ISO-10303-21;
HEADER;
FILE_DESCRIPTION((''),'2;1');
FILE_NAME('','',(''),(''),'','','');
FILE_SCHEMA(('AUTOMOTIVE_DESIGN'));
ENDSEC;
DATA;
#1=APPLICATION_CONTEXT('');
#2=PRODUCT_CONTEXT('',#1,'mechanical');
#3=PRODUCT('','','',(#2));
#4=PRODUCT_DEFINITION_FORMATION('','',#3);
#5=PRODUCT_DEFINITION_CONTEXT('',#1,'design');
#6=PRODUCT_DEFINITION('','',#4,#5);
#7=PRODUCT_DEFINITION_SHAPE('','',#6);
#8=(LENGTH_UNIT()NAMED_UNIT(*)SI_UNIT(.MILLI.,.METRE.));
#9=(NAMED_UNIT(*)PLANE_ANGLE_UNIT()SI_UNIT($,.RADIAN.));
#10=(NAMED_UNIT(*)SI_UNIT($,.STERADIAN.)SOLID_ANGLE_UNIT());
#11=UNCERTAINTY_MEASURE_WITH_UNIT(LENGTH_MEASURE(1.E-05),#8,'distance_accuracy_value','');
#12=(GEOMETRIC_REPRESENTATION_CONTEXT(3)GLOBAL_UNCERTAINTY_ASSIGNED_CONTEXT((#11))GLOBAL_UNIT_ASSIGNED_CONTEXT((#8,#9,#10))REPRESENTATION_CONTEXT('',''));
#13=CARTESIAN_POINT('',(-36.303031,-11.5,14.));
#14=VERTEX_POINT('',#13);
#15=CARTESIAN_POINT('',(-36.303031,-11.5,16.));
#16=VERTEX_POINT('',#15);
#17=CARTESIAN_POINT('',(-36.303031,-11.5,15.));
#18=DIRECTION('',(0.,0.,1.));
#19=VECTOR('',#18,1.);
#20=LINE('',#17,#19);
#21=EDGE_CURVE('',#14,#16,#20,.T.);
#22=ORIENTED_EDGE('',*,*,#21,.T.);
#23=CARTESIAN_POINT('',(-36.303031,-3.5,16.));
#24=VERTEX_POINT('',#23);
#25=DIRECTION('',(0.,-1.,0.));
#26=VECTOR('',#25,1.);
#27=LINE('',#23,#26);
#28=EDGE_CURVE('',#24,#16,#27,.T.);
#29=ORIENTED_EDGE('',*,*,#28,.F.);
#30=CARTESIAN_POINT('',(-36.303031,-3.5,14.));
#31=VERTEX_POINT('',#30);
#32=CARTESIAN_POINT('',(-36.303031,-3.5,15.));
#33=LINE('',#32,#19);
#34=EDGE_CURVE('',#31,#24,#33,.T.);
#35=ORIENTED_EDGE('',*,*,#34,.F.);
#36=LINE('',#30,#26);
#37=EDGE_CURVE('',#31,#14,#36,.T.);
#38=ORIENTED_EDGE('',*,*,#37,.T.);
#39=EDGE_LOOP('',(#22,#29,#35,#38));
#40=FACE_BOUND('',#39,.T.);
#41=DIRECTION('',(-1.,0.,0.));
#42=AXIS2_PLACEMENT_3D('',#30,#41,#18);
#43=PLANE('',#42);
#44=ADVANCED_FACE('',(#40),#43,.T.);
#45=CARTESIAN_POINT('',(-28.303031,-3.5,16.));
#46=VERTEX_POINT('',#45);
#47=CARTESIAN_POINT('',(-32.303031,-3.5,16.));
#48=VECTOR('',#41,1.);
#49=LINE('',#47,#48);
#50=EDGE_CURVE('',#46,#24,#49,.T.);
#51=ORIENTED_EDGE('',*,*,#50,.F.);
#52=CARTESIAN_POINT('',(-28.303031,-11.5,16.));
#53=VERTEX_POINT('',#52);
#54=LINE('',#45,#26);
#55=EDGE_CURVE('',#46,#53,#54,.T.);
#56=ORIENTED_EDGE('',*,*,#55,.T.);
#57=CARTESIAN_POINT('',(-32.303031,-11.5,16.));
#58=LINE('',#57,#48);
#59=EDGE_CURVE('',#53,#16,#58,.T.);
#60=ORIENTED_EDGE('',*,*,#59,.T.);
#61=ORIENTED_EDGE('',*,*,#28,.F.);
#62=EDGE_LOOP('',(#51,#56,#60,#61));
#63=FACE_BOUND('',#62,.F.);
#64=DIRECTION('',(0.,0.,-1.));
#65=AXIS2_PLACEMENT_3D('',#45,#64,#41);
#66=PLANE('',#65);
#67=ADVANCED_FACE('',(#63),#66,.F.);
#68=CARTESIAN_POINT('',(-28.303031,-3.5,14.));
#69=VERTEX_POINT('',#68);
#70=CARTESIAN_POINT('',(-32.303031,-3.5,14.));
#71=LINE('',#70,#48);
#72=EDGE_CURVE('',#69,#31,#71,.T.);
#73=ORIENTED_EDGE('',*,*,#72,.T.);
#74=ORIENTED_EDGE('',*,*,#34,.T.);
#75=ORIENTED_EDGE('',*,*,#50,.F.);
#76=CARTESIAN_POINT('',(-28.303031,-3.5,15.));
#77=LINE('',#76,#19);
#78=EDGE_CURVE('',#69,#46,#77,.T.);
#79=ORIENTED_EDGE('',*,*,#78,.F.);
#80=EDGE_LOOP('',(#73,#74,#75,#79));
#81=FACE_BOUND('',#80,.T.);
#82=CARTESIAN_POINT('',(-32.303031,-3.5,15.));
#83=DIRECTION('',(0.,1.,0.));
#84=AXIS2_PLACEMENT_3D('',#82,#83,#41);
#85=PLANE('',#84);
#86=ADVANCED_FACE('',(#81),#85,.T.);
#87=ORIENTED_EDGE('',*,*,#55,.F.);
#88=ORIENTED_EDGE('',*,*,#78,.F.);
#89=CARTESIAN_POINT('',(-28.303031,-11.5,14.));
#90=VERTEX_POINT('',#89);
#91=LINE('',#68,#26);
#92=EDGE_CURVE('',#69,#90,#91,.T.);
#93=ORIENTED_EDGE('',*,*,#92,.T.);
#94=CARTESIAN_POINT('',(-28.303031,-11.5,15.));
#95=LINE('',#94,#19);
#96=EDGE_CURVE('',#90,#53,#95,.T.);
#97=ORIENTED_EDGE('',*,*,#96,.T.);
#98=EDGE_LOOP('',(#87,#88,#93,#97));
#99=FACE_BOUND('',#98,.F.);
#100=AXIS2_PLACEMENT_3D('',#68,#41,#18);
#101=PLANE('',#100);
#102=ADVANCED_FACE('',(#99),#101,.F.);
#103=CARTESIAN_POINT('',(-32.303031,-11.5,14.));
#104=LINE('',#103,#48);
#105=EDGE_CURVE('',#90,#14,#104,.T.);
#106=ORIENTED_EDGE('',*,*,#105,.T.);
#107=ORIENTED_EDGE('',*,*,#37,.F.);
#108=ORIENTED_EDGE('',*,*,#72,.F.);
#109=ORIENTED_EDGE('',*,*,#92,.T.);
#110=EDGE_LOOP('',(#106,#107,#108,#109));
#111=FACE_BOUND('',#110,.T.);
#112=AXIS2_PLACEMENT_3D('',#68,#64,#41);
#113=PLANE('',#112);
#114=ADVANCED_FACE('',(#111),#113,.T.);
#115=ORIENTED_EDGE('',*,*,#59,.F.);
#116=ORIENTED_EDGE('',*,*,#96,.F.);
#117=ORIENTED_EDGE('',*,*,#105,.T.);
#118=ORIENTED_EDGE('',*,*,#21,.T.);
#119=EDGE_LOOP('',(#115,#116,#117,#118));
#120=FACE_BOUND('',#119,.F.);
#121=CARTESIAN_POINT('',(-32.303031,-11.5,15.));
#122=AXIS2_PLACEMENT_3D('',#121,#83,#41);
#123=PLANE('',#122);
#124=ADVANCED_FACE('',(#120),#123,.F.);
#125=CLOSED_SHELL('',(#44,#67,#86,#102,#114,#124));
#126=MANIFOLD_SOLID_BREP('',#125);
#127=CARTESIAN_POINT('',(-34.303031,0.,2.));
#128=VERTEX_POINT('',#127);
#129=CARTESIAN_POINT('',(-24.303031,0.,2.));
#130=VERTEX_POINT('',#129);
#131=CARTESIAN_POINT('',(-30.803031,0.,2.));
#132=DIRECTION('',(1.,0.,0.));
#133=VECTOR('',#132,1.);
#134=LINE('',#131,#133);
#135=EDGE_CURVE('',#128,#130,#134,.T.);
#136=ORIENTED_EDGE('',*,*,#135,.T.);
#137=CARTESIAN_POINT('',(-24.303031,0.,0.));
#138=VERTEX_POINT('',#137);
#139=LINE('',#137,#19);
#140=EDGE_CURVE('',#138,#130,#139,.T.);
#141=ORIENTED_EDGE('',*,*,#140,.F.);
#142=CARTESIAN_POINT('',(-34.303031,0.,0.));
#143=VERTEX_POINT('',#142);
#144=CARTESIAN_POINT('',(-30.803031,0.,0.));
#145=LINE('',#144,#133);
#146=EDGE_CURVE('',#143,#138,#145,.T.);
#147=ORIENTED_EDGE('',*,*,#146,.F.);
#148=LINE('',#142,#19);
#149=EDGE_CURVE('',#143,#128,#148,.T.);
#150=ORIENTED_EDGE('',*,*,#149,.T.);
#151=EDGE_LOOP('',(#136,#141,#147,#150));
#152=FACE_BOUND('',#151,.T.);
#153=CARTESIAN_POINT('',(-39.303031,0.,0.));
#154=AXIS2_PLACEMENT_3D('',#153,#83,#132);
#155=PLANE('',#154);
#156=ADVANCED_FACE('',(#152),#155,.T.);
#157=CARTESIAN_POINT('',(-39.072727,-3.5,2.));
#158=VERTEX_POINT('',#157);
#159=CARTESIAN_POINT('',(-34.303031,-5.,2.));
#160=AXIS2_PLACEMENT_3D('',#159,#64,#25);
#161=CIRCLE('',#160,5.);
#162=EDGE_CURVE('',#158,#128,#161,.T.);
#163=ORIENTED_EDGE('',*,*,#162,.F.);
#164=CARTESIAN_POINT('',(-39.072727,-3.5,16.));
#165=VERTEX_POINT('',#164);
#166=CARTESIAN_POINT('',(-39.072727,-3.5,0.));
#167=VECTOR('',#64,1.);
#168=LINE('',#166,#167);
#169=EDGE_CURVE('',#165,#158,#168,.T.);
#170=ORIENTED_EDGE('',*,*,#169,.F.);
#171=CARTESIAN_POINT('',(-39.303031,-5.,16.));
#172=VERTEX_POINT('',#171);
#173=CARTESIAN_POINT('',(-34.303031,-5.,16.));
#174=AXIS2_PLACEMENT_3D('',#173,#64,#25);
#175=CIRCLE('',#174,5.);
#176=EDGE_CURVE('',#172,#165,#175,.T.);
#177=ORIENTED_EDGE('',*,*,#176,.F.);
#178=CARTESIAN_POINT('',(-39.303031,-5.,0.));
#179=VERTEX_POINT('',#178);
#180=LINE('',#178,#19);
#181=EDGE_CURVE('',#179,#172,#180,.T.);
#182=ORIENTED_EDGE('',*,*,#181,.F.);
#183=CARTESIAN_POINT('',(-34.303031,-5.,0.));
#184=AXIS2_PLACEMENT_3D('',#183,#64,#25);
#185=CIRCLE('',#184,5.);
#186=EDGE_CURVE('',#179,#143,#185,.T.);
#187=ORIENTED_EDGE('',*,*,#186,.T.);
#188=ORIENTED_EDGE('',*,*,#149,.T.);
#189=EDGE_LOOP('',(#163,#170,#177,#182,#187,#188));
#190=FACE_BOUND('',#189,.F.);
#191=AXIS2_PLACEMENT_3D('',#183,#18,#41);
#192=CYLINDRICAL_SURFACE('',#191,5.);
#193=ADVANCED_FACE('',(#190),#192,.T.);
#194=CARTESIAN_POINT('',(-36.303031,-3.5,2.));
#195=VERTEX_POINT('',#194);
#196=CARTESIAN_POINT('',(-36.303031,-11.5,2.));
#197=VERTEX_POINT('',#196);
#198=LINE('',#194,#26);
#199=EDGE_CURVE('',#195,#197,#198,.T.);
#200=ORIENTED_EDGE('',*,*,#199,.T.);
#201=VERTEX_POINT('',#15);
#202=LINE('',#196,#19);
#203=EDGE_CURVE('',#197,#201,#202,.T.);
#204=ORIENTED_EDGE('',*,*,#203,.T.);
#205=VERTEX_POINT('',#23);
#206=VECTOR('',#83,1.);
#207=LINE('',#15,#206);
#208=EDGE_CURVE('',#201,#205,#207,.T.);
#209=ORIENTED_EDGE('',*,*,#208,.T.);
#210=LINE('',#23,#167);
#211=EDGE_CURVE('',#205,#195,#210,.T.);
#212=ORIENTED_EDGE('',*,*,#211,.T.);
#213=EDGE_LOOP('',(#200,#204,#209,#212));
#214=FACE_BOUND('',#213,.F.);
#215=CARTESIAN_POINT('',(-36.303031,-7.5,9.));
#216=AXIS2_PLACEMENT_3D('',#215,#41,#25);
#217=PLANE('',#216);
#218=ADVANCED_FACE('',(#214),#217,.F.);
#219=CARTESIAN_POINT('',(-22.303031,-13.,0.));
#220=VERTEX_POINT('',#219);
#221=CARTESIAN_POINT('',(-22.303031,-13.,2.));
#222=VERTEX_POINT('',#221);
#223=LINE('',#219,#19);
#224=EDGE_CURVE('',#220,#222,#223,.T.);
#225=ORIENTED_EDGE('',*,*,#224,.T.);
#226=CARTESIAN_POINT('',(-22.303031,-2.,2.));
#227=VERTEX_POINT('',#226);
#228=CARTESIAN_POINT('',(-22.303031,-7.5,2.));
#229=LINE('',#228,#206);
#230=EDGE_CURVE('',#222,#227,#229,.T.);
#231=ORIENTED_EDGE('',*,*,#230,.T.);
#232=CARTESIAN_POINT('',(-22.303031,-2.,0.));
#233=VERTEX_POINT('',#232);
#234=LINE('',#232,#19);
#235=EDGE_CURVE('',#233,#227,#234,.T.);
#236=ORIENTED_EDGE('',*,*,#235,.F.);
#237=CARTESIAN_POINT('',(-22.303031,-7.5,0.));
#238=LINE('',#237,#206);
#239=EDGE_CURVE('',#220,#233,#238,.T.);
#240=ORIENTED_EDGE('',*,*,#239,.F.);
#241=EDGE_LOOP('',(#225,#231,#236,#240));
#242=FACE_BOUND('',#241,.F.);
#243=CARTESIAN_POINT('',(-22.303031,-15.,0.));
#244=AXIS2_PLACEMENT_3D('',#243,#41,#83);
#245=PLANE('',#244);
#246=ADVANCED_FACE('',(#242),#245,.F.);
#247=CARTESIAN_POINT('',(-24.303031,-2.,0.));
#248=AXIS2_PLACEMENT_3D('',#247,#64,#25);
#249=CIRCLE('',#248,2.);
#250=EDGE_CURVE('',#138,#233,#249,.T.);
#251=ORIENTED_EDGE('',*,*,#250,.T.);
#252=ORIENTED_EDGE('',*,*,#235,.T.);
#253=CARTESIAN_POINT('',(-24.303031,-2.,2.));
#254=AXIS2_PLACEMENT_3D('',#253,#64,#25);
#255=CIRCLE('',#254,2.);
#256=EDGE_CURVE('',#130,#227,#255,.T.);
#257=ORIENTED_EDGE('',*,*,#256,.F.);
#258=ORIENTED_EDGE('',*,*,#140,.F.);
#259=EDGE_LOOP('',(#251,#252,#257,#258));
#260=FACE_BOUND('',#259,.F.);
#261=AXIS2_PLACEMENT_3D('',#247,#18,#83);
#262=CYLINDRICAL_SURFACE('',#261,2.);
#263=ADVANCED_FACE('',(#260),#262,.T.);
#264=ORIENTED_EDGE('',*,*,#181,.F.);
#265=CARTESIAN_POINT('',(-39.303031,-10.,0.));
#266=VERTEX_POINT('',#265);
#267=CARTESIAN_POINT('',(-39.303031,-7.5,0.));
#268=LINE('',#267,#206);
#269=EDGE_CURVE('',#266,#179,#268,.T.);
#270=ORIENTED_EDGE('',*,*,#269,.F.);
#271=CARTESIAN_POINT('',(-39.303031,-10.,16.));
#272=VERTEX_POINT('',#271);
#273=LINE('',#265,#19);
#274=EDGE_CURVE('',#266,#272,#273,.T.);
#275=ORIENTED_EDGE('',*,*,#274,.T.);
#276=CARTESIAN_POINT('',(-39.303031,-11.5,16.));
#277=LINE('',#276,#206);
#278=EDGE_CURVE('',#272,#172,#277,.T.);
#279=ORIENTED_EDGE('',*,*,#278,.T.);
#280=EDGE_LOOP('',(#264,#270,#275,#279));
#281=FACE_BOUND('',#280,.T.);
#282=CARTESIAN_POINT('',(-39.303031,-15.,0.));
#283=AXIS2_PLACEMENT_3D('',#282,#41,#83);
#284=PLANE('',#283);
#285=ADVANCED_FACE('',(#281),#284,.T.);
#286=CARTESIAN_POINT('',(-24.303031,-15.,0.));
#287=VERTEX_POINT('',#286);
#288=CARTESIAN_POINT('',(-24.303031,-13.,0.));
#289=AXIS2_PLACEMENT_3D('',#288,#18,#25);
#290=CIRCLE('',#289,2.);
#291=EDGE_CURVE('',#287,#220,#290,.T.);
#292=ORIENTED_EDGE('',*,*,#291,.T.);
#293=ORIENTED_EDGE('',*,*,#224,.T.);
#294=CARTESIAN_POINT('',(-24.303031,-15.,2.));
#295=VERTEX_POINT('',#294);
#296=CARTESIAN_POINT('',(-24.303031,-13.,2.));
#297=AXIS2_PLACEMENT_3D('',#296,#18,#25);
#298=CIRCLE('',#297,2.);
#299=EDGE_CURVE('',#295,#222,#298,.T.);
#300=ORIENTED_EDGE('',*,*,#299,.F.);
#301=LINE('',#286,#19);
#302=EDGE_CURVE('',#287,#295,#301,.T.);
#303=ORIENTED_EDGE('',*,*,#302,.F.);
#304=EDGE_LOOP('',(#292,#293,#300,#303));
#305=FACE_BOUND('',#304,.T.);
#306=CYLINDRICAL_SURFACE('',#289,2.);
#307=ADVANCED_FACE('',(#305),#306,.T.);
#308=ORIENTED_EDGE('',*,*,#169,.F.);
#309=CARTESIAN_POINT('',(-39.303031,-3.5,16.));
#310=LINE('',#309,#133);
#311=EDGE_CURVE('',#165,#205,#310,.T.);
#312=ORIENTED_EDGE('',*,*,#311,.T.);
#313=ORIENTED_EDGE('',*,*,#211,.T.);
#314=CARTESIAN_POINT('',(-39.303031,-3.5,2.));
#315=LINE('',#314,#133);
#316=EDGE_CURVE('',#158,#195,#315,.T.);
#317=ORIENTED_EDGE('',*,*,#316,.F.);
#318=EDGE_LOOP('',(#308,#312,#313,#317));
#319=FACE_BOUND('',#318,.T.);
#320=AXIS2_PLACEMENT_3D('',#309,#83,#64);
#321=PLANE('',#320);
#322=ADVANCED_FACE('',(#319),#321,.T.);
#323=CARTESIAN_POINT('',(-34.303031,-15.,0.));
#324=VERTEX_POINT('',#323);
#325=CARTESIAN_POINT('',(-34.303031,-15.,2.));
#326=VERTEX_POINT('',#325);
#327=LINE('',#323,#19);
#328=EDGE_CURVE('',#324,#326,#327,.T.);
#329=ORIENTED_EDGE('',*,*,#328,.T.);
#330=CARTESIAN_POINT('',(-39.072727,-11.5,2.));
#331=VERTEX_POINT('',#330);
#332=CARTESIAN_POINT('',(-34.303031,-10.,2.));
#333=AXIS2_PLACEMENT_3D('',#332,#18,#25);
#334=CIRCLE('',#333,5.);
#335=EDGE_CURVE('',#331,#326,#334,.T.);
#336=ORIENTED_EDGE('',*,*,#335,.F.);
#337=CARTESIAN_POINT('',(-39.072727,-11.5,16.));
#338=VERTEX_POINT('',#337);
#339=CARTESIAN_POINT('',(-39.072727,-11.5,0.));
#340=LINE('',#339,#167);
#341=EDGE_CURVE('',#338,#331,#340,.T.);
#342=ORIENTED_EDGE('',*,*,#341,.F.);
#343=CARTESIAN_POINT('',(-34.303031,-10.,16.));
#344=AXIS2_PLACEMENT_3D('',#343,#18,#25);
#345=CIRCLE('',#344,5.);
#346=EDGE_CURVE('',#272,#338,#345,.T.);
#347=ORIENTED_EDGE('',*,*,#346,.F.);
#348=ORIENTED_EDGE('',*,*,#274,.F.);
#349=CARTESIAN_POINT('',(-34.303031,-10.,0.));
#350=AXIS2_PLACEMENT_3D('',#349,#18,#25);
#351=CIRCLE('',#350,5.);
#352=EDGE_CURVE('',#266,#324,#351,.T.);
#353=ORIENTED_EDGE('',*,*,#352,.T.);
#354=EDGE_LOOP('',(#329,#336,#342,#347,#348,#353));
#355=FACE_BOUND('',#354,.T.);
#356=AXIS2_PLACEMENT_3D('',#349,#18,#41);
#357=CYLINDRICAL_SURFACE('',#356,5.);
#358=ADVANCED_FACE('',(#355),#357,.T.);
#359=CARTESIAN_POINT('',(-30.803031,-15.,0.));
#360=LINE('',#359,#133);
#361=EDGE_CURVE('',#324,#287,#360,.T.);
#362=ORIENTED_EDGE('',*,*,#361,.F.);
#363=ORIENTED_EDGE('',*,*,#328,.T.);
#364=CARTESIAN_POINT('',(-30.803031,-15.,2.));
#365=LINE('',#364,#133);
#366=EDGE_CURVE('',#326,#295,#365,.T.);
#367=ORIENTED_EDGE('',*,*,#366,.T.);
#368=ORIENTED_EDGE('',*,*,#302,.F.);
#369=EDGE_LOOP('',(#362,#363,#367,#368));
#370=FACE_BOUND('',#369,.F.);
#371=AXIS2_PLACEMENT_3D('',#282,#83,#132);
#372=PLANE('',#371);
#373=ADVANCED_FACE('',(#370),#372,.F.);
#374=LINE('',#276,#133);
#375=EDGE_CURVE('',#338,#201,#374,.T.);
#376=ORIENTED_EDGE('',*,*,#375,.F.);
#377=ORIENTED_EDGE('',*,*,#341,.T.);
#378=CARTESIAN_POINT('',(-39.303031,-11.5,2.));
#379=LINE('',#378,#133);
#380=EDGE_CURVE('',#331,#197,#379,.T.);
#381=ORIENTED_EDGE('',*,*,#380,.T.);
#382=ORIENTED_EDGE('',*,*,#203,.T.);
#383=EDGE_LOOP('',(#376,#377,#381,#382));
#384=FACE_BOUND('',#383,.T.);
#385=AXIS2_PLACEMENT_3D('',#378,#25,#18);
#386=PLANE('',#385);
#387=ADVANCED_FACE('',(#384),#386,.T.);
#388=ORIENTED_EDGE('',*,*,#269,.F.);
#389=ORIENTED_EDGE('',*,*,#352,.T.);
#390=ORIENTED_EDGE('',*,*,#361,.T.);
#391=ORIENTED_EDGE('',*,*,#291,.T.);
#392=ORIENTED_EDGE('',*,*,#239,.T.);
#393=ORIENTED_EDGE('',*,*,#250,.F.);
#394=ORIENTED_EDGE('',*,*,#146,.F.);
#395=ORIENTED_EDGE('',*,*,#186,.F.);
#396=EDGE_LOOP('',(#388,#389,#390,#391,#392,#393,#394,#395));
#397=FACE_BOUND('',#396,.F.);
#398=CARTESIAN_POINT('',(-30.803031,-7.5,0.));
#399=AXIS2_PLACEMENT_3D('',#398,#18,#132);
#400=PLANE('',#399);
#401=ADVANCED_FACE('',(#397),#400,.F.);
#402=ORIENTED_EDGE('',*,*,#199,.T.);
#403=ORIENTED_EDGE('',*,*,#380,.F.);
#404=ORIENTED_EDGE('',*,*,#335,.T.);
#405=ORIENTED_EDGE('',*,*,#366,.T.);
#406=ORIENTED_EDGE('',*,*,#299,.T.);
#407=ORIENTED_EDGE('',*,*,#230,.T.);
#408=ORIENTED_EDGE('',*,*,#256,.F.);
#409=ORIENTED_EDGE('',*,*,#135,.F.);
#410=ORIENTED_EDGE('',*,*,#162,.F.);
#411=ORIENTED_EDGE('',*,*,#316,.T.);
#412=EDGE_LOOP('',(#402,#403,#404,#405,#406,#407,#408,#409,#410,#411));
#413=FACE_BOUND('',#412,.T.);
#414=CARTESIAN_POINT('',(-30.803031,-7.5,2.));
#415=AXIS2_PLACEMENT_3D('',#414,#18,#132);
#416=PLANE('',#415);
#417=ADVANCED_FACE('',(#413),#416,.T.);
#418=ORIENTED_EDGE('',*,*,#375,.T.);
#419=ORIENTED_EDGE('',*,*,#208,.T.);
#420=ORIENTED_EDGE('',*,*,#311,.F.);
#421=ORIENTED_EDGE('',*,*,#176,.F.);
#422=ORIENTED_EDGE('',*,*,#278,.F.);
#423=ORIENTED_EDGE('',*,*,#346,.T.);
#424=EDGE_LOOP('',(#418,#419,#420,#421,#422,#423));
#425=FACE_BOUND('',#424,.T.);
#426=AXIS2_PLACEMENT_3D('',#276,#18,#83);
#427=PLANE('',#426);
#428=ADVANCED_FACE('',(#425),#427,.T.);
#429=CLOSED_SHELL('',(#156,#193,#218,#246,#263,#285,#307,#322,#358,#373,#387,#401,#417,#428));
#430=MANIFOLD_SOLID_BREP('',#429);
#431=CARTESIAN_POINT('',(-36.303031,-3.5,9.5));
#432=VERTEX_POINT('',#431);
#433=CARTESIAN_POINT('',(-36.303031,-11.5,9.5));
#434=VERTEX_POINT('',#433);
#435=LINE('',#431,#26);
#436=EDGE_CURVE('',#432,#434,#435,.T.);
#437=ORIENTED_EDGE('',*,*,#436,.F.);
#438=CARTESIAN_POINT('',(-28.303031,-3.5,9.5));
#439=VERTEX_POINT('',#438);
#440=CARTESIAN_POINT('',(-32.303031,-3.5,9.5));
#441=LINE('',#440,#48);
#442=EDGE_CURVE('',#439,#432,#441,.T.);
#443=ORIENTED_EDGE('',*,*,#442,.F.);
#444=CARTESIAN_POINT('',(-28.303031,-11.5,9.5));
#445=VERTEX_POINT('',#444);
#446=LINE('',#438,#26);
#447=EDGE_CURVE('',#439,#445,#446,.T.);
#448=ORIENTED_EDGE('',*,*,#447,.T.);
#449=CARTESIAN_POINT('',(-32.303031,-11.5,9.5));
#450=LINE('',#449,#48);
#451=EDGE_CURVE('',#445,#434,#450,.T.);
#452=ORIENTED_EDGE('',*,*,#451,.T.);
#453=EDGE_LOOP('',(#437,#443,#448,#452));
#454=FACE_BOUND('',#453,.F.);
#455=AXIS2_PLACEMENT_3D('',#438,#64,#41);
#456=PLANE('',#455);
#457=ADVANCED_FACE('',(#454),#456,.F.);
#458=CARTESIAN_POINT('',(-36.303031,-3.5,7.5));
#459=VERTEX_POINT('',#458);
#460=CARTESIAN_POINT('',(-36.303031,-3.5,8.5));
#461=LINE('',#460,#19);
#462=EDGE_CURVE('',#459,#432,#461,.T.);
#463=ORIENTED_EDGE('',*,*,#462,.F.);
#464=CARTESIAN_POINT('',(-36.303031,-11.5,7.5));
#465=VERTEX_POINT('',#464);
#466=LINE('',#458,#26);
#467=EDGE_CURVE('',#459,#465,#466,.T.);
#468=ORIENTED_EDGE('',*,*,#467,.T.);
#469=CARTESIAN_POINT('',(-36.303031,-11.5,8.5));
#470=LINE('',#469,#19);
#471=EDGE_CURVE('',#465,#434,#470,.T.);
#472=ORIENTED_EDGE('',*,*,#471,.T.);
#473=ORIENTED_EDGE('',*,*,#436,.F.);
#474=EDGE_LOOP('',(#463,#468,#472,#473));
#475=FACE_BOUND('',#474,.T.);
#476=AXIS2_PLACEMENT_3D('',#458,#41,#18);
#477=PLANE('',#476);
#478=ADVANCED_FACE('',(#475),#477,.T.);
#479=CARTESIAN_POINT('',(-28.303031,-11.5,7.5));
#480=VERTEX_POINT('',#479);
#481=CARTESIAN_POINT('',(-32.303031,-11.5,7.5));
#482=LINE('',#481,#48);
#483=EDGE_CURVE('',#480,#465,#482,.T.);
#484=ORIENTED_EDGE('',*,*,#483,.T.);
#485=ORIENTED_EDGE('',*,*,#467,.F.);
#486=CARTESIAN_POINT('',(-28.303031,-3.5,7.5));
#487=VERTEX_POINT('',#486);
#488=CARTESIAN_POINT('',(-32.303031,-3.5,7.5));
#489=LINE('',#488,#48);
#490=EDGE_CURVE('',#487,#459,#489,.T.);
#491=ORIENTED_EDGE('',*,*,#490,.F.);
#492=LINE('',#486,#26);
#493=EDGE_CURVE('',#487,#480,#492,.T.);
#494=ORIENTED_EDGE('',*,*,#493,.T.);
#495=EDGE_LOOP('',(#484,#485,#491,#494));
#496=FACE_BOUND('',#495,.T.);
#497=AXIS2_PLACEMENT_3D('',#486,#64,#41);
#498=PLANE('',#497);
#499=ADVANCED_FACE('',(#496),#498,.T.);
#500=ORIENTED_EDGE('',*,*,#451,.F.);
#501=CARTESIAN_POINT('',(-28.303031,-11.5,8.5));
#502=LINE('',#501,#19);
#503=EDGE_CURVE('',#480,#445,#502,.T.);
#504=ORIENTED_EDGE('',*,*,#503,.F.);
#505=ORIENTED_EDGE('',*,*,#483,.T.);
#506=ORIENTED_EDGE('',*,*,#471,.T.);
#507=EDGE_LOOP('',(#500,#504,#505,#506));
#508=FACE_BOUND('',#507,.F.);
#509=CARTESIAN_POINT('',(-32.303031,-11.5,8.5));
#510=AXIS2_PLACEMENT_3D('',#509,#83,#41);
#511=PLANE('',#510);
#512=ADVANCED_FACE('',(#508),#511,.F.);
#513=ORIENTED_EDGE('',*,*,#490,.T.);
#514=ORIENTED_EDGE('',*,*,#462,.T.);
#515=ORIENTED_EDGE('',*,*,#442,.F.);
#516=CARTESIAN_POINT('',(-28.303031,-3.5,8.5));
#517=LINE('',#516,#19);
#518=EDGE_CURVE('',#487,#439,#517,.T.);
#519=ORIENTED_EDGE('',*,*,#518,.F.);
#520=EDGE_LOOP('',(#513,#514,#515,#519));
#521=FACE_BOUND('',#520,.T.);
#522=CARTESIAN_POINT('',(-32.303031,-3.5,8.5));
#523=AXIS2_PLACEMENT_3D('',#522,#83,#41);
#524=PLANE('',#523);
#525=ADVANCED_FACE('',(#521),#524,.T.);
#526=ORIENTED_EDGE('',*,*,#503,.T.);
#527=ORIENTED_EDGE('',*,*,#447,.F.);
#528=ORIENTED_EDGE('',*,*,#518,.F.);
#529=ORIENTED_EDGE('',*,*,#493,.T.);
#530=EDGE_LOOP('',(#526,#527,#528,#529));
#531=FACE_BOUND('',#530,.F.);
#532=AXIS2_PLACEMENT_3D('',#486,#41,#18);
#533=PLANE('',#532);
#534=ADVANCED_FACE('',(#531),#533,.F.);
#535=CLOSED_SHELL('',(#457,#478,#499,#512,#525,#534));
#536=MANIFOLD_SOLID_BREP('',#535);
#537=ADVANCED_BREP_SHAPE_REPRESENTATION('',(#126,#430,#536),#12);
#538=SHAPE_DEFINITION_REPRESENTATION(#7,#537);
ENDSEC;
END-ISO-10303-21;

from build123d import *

# Parameters (mm, degrees)
F0_W     = 17
F0_H     = 15
F1_DEPTH = 2
F3_DEPTH = 3
F4_W     = 8
F4_H     = 2
F5_DEPTH = 8
F6_R     = 5
F7_R     = 2


with BuildPart() as f1:
    # F0 (on Top) → F1 (new body)
    with BuildSketch(Plane.XY):
        with Locations((-30.8030308187, -7.5)):
            Rectangle(F0_W, F0_H)
    extrude(amount=F1_DEPTH)

    # F2 (on face) → F3 (join)
    with BuildSketch(Plane(origin=(-39.3030308187, 0, 0), x_dir=(0, -1, 0), z_dir=(-1, 0, 0))):
        Polygon((3.5, 2), (7.5, 2), (11.5, 2), (11.5, 16), (3.5, 16), align=None)
    extrude(amount=-F3_DEPTH)

    # F6
    f6_edges = [f1.edges().sort_by_distance(p)[0] for p in [
        (-39.303031, 0, 1),
        (-39.303031, -15, 1),
    ]]
    fillet(f6_edges, radius=F6_R)

    # F7
    f7_edges = [f1.edges().sort_by_distance(p)[0] for p in [
        (-22.303031, -15, 1),
        (-22.303031, 0, 1),
    ]]
    fillet(f7_edges, radius=F7_R)


with BuildPart() as f5:
    # F4 (on face) → F5 (new body)
    with BuildSketch(Plane(origin=(0, -3.5, 0), x_dir=(-1, 0, 0), z_dir=(0, 1, 0))):
        with Locations((32.3030308187, 8.5)):
            Rectangle(F4_W, F4_H)
    extrude(amount=-F5_DEPTH)


with BuildPart() as f5b:
    # F4 (on face) → F5, piece 2 (new body)
    with BuildSketch(Plane(origin=(0, -3.5, 0), x_dir=(-1, 0, 0), z_dir=(0, 1, 0))):
        with Locations((32.3030308187, 15)):
            Rectangle(F4_W, F4_H)
    extrude(amount=-F5_DEPTH)


solid = Compound([f1.part, f5.part, f5b.part])
